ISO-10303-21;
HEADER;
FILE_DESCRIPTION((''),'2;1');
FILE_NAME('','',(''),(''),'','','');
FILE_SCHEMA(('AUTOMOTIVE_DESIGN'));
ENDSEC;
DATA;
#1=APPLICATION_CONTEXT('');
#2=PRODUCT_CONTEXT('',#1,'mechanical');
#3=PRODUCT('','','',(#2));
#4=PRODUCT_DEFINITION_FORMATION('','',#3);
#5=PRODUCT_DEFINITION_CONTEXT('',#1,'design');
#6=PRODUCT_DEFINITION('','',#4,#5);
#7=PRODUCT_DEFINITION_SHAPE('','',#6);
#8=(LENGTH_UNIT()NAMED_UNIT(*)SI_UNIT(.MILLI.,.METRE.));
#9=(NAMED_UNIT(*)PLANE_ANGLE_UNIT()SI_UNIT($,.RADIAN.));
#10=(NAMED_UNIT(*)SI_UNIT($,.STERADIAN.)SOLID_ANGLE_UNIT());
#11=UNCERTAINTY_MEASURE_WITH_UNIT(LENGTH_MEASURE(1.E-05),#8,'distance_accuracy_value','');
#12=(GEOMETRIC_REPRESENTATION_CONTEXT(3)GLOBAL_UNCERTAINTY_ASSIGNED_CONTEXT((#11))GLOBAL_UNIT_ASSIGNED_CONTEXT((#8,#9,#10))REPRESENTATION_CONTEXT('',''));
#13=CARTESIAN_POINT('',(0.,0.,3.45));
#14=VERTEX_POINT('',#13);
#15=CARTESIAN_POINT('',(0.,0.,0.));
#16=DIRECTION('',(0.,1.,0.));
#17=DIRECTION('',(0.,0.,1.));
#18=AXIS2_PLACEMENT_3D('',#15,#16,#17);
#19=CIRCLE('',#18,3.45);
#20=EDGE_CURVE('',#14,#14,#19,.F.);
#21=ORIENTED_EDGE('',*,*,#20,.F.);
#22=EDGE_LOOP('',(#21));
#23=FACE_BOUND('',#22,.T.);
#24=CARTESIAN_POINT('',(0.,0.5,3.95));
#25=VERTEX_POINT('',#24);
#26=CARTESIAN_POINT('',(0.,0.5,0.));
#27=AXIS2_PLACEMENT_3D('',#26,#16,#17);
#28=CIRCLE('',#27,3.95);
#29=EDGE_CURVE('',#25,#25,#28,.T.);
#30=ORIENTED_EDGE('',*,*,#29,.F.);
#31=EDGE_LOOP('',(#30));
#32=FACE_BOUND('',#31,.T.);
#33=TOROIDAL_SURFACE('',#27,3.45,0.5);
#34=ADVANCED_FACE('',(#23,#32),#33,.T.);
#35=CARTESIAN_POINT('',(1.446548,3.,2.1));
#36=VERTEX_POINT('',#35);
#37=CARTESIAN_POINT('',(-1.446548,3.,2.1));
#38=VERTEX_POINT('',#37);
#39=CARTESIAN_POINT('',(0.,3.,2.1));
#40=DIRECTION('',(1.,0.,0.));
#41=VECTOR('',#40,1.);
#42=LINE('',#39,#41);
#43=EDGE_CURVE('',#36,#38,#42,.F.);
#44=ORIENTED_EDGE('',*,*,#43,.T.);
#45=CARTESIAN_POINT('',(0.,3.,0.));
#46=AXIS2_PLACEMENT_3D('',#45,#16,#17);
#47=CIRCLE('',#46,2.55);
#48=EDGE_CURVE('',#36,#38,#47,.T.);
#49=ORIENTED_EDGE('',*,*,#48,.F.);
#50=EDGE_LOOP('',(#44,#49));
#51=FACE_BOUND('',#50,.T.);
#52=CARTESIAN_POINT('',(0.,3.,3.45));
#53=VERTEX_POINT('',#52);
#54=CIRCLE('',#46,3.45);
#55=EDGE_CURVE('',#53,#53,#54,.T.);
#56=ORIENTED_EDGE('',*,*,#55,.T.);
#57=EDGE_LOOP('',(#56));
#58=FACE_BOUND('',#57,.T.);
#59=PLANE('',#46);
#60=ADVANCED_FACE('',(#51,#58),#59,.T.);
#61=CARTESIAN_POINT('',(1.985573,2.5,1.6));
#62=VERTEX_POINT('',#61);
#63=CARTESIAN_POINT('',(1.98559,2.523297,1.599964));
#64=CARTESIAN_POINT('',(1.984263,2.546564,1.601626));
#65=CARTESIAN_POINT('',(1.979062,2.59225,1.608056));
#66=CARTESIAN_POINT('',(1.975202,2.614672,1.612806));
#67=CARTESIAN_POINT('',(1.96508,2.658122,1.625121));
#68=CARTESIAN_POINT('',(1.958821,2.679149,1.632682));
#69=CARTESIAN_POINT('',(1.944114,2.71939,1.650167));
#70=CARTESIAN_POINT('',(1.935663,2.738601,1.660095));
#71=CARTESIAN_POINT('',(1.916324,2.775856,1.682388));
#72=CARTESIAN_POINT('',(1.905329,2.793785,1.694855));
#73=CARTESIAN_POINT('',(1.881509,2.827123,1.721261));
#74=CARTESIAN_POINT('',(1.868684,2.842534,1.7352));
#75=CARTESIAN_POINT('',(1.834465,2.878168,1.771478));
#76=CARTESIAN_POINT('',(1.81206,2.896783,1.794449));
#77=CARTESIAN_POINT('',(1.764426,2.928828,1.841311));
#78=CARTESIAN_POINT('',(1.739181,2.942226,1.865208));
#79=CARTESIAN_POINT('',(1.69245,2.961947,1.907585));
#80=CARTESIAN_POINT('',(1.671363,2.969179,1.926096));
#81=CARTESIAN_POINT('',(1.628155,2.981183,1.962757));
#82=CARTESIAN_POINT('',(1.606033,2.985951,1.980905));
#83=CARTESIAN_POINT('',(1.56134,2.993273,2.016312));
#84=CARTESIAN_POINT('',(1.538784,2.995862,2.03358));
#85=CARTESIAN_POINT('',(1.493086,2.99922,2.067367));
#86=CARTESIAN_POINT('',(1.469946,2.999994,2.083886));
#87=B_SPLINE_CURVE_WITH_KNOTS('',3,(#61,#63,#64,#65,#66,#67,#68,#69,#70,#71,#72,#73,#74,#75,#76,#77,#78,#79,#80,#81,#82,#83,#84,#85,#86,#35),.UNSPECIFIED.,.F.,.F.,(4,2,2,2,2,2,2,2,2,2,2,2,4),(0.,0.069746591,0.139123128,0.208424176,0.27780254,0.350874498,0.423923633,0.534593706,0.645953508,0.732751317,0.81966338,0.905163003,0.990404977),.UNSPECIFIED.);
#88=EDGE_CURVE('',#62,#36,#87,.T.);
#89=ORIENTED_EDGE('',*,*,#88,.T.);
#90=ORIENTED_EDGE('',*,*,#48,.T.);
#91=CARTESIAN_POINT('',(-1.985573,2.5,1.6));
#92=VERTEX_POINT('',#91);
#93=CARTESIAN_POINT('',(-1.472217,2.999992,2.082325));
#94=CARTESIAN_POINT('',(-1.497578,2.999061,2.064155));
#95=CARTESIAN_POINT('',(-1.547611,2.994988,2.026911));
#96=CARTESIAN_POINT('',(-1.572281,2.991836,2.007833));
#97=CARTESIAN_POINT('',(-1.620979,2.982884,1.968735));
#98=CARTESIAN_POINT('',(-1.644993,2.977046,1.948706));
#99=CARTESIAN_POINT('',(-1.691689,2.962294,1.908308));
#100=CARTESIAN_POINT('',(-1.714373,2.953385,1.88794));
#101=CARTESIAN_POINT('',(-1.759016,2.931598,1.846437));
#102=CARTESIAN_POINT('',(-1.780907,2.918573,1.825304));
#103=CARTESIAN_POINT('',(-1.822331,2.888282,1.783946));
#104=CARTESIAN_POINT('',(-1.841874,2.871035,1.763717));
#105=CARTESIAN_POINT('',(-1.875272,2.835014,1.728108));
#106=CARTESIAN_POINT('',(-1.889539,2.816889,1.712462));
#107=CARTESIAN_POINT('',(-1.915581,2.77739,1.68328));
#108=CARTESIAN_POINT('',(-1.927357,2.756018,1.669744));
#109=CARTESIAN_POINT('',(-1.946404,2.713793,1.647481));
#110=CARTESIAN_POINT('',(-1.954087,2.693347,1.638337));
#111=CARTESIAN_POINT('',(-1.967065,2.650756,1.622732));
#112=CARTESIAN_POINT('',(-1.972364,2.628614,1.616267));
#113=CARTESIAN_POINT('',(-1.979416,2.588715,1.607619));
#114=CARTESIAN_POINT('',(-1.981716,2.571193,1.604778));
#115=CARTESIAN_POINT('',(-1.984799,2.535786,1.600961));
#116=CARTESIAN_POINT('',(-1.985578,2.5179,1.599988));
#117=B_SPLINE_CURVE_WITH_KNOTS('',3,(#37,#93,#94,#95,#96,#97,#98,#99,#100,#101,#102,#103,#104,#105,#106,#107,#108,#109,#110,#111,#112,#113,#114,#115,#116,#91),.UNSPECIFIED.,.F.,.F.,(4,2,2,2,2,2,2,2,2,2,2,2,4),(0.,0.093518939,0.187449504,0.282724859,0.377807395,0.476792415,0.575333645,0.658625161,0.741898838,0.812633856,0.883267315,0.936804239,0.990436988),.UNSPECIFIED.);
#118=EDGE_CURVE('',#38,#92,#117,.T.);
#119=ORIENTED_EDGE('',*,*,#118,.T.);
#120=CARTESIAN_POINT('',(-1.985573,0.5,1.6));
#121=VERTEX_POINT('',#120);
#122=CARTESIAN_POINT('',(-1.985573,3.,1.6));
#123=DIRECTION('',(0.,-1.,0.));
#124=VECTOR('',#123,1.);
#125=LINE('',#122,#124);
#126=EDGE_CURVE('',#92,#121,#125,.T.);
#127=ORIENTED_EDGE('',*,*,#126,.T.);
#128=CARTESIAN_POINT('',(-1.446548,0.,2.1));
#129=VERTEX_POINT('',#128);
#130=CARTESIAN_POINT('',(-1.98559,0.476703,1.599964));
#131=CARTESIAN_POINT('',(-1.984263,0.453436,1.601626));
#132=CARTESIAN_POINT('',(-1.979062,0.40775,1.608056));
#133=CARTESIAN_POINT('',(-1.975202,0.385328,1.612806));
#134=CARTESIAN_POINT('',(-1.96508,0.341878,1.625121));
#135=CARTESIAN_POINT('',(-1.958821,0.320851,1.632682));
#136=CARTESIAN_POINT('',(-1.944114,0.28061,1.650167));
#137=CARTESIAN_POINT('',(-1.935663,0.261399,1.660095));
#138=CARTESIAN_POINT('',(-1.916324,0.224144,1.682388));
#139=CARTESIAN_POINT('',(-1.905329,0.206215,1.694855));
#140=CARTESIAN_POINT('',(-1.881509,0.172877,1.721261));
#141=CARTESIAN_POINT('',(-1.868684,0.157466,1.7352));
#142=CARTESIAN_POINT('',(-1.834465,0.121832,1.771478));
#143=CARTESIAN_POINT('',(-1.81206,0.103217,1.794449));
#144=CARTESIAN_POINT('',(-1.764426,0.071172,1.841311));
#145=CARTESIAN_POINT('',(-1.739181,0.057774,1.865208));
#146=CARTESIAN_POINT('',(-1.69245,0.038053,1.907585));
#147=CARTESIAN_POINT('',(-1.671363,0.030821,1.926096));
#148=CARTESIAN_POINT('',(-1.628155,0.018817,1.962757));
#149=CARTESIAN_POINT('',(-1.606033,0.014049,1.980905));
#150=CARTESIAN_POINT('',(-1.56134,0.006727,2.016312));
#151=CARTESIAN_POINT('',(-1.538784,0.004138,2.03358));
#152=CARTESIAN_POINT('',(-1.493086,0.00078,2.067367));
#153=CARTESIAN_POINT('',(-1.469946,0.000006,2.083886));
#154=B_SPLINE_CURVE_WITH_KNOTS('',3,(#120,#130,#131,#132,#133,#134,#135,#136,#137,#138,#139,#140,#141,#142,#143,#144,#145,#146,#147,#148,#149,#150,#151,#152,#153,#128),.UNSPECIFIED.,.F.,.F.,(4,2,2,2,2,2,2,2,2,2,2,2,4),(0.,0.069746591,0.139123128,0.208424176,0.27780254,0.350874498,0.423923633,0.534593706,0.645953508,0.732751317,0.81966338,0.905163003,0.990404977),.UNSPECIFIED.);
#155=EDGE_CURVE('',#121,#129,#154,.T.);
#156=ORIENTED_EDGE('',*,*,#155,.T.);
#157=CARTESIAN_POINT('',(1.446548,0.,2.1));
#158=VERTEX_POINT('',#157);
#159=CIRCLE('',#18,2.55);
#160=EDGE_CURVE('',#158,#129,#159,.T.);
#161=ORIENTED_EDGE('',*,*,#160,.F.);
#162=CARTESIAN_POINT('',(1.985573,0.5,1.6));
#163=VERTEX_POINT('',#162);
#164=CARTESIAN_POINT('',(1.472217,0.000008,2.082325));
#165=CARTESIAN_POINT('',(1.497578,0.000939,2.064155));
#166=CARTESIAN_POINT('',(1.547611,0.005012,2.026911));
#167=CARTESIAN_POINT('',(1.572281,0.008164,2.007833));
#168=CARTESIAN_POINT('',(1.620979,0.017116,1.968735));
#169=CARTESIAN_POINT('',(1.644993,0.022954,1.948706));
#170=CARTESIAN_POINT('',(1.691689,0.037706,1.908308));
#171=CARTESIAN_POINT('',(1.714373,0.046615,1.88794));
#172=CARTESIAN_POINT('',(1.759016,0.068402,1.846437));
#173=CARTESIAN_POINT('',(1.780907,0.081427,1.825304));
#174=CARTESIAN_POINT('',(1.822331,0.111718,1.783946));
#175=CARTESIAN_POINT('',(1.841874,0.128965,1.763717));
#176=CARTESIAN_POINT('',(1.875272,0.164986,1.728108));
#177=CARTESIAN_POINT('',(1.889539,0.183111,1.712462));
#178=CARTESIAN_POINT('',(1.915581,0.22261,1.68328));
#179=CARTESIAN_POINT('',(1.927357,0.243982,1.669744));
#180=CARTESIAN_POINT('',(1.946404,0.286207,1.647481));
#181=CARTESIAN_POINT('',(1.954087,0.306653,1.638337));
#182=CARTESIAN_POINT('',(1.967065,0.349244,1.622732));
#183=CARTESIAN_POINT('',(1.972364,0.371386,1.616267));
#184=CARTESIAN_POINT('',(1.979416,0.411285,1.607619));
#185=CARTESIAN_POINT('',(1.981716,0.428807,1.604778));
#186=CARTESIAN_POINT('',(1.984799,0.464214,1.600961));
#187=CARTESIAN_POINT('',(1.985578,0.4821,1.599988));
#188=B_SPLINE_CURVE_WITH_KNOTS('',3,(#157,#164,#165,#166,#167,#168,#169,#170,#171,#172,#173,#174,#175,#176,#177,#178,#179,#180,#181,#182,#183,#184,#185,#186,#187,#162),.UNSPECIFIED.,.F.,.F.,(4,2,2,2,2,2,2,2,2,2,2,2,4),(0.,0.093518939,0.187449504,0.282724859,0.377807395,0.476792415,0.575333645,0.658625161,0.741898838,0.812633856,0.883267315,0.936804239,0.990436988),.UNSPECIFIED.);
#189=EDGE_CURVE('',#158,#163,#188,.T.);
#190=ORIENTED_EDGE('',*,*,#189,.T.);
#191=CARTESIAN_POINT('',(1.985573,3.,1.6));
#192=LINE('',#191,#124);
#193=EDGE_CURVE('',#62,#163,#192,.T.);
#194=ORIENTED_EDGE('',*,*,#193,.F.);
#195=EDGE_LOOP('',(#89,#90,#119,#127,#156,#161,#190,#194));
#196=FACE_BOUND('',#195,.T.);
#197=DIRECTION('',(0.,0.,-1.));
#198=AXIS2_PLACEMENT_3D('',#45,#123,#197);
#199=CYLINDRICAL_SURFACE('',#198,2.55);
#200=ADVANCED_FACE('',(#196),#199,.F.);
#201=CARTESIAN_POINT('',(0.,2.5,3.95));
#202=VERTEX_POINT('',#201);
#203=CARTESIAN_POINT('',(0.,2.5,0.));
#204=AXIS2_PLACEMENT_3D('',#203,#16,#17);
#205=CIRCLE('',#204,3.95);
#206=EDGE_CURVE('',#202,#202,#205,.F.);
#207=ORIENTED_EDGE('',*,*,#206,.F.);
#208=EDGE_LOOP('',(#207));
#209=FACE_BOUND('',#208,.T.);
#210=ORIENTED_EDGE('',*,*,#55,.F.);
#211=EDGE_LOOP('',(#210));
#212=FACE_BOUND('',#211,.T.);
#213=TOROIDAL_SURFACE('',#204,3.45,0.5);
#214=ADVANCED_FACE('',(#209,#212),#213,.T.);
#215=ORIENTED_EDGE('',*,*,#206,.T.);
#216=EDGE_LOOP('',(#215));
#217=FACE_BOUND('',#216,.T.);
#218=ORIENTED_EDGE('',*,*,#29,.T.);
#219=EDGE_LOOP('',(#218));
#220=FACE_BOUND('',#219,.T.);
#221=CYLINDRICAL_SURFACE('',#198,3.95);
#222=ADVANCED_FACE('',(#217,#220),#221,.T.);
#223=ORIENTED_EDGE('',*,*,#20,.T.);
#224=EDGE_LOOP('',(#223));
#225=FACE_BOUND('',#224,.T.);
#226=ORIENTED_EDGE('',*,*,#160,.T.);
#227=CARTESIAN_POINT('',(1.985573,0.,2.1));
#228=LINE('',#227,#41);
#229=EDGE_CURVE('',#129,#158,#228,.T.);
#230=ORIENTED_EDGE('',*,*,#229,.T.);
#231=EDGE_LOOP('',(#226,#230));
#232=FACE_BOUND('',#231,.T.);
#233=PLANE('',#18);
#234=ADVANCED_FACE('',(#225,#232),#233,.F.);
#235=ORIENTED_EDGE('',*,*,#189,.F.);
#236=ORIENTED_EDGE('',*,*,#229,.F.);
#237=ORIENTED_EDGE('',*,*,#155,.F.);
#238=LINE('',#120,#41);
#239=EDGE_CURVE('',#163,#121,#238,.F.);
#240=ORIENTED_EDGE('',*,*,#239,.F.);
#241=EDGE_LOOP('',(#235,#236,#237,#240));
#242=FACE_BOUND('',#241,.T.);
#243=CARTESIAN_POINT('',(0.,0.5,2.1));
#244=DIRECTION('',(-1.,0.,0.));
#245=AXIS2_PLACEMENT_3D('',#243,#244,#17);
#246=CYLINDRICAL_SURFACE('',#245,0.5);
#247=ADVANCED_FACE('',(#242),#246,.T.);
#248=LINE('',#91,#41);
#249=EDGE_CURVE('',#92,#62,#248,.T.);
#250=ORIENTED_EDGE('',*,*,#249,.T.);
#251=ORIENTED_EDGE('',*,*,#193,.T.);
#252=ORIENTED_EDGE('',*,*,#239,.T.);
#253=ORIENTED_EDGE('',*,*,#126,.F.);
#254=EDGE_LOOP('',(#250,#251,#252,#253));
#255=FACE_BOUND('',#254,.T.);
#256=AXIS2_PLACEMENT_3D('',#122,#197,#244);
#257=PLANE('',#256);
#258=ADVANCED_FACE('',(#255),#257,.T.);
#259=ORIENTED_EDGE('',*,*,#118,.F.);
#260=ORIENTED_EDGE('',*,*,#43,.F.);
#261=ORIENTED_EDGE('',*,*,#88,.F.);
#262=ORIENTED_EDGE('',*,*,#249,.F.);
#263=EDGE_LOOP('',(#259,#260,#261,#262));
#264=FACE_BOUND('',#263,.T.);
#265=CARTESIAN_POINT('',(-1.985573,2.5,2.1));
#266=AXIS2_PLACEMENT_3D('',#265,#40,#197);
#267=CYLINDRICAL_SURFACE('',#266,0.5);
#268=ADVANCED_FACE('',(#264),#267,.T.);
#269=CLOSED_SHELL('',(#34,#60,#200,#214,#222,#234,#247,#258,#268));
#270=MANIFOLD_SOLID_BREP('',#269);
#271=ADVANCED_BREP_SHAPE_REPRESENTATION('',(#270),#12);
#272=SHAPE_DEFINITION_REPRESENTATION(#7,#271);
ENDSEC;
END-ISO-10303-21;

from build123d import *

# Parameters (mm, degrees)
SKETCH1_R           = 3.95
BOSS_EXTRUDE1_DEPTH = 3
FILLET1_R           = 0.5


with BuildPart() as part:
    # Sketch1 → Boss-Extrude1 (new body)
    with BuildSketch(Plane(origin=(0, 0, 0), x_dir=(1, 0, 0), z_dir=(0, 1, 0))):
        Circle(SKETCH1_R)
        with BuildLine():
            Line((-1.985572965, -1.6), (1.985572965, -1.6))
            ThreePointArc((1.985572965, -1.6), (0, 2.55), (-1.985572965, -1.6))
        make_face(mode=Mode.SUBTRACT)
    extrude(amount=BOSS_EXTRUDE1_DEPTH)

    # Fillet1
    fillet1_edges = [part.edges().sort_by_distance(p)[0] for p in [
        (-3.95, 0, 0),
        (-3.95, 3, 0),
        (0, 0, 1.6),
        (0, 3, 1.6),
    ]]
    fillet(fillet1_edges, radius=FILLET1_R)


solid = part.part
